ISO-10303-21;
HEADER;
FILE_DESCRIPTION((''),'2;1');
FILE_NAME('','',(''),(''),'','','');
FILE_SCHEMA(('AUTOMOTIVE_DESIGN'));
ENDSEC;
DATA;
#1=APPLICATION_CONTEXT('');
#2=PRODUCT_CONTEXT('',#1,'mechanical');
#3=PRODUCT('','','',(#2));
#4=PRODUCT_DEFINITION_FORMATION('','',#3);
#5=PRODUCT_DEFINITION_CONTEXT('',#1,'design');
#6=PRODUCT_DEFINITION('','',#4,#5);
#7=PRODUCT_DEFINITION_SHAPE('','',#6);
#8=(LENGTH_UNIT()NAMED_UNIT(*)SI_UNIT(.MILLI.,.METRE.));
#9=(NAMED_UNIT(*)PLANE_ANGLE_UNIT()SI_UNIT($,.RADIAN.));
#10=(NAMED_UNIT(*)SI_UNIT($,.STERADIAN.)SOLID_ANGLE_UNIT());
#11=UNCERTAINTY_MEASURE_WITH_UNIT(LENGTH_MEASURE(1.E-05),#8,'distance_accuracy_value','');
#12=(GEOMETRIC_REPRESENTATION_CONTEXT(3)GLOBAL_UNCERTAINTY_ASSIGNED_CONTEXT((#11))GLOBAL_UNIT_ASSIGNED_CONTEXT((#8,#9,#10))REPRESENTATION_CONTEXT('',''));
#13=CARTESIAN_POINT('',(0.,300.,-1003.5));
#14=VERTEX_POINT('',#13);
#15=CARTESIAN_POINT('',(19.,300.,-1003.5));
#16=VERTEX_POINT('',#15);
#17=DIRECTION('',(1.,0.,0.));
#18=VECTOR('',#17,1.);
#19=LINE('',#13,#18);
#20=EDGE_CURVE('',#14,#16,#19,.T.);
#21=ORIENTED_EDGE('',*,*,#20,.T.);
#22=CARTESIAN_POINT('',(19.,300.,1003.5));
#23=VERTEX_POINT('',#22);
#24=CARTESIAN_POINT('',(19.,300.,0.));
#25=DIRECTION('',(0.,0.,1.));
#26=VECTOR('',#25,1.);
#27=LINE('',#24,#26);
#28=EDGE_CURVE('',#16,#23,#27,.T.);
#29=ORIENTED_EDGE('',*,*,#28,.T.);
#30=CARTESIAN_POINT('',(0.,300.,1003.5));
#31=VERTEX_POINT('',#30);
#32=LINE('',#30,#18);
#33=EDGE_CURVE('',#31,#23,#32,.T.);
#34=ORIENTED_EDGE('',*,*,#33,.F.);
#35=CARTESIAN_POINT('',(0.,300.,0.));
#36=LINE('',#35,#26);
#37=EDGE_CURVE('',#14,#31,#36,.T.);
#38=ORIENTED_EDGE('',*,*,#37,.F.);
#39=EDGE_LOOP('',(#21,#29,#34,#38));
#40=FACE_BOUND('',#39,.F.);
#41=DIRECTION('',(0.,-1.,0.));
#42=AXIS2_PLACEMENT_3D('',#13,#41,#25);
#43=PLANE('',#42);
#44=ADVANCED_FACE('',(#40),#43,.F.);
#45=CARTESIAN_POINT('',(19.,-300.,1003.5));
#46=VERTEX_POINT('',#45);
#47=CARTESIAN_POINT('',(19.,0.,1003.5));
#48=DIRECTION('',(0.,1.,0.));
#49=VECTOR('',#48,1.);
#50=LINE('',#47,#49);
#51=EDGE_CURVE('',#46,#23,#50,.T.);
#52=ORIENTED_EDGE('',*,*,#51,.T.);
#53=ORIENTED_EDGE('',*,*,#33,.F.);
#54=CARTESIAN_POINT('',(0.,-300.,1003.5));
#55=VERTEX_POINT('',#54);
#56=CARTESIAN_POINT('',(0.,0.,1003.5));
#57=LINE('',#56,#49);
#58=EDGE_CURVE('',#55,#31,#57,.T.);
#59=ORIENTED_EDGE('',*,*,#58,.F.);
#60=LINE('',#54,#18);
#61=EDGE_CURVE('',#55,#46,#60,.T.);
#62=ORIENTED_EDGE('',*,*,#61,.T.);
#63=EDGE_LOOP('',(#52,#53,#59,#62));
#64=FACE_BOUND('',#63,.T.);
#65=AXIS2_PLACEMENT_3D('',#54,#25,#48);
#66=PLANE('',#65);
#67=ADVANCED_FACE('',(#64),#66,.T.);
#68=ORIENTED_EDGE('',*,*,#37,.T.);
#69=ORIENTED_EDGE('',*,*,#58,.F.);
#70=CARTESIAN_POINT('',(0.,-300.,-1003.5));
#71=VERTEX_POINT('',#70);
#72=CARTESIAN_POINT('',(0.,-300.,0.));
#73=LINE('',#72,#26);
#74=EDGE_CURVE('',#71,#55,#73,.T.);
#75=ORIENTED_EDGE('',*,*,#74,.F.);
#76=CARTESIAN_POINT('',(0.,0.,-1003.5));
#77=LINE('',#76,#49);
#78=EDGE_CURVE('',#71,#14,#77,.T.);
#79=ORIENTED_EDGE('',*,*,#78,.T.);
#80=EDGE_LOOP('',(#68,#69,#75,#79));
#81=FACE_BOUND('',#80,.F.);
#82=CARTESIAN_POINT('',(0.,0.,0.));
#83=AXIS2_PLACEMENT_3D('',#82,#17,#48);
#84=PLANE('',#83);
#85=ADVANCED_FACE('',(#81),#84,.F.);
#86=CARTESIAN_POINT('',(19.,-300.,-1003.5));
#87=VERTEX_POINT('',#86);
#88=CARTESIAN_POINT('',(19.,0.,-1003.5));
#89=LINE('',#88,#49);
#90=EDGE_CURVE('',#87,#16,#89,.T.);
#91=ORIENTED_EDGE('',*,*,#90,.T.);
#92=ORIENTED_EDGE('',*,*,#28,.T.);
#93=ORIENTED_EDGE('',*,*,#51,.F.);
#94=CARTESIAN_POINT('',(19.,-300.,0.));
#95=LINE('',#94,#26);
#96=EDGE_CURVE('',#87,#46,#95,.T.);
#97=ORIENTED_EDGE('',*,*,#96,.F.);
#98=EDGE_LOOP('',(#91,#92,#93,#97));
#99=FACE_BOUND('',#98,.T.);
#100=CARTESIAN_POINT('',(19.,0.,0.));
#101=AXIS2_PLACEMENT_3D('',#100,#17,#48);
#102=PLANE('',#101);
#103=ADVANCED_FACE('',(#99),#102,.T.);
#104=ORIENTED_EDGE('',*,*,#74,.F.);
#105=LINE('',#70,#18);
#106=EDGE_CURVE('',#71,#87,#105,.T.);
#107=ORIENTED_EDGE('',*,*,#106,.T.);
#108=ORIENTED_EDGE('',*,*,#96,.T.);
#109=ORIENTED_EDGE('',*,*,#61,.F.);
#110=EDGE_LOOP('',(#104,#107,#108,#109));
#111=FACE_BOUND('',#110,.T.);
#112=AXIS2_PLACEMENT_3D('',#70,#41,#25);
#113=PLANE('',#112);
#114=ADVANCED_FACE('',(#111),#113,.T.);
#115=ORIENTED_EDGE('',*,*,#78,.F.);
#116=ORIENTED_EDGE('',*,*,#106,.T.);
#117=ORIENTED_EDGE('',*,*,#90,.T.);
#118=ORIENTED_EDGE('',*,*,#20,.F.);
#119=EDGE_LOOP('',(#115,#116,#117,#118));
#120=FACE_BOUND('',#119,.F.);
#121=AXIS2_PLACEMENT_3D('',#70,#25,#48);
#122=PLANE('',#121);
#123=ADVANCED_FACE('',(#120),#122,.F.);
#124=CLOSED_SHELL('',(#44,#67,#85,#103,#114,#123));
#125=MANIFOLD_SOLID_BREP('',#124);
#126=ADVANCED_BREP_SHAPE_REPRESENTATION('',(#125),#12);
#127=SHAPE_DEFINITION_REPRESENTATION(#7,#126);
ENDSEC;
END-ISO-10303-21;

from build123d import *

# Parameters (mm, degrees)
SKETCH002_W  = 600
SKETCH002_H  = 2007
PAD002_DEPTH = 19


with BuildPart() as part:
    # Sketch002 → Pad002 (new body)
    with BuildSketch(Plane.YZ):
        Rectangle(SKETCH002_W, SKETCH002_H)
    extrude(amount=PAD002_DEPTH)


solid = part.part
